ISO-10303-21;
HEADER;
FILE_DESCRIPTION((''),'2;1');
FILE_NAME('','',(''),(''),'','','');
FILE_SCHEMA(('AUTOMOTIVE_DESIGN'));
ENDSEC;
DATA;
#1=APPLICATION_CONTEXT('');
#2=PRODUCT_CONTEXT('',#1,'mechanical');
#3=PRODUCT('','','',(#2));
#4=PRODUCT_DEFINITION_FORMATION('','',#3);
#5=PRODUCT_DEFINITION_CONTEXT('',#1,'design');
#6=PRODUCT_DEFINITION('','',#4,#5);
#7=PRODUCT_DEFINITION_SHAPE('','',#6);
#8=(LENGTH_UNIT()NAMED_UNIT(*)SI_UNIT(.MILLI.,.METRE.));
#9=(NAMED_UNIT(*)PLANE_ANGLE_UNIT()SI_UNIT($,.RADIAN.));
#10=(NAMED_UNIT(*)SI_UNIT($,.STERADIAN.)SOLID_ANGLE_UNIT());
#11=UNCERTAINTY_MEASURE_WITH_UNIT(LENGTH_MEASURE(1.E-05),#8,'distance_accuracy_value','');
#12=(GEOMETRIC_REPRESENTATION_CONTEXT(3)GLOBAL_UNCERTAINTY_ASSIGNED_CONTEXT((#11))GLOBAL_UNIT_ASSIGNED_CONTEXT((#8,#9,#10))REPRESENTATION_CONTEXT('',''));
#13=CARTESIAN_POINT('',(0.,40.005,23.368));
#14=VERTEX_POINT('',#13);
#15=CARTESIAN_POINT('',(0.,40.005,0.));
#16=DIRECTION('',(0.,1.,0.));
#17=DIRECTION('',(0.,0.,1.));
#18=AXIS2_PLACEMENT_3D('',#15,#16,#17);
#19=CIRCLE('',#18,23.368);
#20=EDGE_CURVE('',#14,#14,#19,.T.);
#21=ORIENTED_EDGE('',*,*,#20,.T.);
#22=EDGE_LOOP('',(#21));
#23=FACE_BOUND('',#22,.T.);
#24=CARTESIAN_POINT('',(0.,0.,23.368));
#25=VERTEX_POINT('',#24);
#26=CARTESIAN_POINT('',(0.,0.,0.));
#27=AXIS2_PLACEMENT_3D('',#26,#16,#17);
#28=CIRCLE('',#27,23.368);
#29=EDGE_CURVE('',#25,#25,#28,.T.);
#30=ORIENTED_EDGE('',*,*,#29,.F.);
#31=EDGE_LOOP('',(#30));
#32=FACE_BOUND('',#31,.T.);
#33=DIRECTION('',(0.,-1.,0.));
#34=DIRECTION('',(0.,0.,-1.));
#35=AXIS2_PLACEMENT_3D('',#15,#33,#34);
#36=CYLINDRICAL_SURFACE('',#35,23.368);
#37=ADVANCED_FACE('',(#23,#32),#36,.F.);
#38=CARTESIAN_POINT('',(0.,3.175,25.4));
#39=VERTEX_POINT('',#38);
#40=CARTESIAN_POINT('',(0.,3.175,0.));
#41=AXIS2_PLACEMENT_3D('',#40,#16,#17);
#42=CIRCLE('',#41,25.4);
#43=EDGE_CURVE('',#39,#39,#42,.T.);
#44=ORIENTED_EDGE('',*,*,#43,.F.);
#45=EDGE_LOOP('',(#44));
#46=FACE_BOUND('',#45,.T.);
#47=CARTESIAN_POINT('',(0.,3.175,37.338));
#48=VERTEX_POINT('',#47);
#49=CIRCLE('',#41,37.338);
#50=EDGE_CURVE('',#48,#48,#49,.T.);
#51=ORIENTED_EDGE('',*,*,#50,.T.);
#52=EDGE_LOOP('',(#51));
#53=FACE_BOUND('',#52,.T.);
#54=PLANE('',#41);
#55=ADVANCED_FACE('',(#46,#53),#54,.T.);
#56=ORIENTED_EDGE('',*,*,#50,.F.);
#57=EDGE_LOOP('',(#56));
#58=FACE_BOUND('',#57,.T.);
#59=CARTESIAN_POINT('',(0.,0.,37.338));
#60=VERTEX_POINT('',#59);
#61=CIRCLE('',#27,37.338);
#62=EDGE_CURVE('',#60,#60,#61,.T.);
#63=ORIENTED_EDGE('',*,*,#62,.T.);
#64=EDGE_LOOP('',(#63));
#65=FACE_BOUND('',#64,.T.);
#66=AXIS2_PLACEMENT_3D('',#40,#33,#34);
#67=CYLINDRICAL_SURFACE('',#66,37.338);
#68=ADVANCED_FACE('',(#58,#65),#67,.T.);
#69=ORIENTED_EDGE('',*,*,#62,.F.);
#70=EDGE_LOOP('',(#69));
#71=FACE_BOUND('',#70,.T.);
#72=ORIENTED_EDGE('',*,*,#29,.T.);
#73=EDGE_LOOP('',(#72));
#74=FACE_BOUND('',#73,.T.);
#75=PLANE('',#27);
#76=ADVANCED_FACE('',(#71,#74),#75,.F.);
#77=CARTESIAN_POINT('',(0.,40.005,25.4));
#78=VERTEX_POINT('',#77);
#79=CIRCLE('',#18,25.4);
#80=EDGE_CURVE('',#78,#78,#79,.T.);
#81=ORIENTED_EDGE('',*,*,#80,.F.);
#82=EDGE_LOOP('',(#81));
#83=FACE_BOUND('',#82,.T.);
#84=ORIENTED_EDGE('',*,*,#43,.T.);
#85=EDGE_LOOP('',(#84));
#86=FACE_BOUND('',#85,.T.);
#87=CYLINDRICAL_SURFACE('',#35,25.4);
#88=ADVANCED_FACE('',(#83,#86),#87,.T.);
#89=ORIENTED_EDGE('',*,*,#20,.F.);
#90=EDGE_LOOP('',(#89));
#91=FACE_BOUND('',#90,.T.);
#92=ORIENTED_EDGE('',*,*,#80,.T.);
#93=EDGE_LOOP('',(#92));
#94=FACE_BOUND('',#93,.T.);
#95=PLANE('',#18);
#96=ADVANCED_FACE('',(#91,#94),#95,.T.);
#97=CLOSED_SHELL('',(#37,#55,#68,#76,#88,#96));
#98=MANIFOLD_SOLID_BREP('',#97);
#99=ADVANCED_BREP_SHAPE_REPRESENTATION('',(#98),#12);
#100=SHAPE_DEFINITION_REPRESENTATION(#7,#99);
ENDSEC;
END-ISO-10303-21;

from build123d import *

# Parameters (mm, degrees)
SKETCH1_R           = 25.4
SKETCH1_R_2         = 23.368
BOSS_EXTRUDE1_DEPTH = 40.005
SKETCH1_3_R         = 37.338
SKETCH1_3_R_2       = 25.4
BOSS_EXTRUDE2_DEPTH = 3.175


with BuildPart() as part:
    # Sketch1 → Boss-Extrude1 (new body)
    with BuildSketch(Plane(origin=(0, 0, 0), x_dir=(1, 0, 0), z_dir=(0, 1, 0))):
        Circle(SKETCH1_R)
        Circle(SKETCH1_R_2, mode=Mode.SUBTRACT)
    extrude(amount=BOSS_EXTRUDE1_DEPTH)

    # Sketch1<3> → Boss-Extrude2 (add)
    with BuildSketch(Plane(origin=(0, 0, 0), x_dir=(1, 0, 0), z_dir=(0, 1, 0))):
        Circle(SKETCH1_3_R)
        Circle(SKETCH1_3_R_2, mode=Mode.SUBTRACT)
    extrude(amount=BOSS_EXTRUDE2_DEPTH)


solid = part.part
